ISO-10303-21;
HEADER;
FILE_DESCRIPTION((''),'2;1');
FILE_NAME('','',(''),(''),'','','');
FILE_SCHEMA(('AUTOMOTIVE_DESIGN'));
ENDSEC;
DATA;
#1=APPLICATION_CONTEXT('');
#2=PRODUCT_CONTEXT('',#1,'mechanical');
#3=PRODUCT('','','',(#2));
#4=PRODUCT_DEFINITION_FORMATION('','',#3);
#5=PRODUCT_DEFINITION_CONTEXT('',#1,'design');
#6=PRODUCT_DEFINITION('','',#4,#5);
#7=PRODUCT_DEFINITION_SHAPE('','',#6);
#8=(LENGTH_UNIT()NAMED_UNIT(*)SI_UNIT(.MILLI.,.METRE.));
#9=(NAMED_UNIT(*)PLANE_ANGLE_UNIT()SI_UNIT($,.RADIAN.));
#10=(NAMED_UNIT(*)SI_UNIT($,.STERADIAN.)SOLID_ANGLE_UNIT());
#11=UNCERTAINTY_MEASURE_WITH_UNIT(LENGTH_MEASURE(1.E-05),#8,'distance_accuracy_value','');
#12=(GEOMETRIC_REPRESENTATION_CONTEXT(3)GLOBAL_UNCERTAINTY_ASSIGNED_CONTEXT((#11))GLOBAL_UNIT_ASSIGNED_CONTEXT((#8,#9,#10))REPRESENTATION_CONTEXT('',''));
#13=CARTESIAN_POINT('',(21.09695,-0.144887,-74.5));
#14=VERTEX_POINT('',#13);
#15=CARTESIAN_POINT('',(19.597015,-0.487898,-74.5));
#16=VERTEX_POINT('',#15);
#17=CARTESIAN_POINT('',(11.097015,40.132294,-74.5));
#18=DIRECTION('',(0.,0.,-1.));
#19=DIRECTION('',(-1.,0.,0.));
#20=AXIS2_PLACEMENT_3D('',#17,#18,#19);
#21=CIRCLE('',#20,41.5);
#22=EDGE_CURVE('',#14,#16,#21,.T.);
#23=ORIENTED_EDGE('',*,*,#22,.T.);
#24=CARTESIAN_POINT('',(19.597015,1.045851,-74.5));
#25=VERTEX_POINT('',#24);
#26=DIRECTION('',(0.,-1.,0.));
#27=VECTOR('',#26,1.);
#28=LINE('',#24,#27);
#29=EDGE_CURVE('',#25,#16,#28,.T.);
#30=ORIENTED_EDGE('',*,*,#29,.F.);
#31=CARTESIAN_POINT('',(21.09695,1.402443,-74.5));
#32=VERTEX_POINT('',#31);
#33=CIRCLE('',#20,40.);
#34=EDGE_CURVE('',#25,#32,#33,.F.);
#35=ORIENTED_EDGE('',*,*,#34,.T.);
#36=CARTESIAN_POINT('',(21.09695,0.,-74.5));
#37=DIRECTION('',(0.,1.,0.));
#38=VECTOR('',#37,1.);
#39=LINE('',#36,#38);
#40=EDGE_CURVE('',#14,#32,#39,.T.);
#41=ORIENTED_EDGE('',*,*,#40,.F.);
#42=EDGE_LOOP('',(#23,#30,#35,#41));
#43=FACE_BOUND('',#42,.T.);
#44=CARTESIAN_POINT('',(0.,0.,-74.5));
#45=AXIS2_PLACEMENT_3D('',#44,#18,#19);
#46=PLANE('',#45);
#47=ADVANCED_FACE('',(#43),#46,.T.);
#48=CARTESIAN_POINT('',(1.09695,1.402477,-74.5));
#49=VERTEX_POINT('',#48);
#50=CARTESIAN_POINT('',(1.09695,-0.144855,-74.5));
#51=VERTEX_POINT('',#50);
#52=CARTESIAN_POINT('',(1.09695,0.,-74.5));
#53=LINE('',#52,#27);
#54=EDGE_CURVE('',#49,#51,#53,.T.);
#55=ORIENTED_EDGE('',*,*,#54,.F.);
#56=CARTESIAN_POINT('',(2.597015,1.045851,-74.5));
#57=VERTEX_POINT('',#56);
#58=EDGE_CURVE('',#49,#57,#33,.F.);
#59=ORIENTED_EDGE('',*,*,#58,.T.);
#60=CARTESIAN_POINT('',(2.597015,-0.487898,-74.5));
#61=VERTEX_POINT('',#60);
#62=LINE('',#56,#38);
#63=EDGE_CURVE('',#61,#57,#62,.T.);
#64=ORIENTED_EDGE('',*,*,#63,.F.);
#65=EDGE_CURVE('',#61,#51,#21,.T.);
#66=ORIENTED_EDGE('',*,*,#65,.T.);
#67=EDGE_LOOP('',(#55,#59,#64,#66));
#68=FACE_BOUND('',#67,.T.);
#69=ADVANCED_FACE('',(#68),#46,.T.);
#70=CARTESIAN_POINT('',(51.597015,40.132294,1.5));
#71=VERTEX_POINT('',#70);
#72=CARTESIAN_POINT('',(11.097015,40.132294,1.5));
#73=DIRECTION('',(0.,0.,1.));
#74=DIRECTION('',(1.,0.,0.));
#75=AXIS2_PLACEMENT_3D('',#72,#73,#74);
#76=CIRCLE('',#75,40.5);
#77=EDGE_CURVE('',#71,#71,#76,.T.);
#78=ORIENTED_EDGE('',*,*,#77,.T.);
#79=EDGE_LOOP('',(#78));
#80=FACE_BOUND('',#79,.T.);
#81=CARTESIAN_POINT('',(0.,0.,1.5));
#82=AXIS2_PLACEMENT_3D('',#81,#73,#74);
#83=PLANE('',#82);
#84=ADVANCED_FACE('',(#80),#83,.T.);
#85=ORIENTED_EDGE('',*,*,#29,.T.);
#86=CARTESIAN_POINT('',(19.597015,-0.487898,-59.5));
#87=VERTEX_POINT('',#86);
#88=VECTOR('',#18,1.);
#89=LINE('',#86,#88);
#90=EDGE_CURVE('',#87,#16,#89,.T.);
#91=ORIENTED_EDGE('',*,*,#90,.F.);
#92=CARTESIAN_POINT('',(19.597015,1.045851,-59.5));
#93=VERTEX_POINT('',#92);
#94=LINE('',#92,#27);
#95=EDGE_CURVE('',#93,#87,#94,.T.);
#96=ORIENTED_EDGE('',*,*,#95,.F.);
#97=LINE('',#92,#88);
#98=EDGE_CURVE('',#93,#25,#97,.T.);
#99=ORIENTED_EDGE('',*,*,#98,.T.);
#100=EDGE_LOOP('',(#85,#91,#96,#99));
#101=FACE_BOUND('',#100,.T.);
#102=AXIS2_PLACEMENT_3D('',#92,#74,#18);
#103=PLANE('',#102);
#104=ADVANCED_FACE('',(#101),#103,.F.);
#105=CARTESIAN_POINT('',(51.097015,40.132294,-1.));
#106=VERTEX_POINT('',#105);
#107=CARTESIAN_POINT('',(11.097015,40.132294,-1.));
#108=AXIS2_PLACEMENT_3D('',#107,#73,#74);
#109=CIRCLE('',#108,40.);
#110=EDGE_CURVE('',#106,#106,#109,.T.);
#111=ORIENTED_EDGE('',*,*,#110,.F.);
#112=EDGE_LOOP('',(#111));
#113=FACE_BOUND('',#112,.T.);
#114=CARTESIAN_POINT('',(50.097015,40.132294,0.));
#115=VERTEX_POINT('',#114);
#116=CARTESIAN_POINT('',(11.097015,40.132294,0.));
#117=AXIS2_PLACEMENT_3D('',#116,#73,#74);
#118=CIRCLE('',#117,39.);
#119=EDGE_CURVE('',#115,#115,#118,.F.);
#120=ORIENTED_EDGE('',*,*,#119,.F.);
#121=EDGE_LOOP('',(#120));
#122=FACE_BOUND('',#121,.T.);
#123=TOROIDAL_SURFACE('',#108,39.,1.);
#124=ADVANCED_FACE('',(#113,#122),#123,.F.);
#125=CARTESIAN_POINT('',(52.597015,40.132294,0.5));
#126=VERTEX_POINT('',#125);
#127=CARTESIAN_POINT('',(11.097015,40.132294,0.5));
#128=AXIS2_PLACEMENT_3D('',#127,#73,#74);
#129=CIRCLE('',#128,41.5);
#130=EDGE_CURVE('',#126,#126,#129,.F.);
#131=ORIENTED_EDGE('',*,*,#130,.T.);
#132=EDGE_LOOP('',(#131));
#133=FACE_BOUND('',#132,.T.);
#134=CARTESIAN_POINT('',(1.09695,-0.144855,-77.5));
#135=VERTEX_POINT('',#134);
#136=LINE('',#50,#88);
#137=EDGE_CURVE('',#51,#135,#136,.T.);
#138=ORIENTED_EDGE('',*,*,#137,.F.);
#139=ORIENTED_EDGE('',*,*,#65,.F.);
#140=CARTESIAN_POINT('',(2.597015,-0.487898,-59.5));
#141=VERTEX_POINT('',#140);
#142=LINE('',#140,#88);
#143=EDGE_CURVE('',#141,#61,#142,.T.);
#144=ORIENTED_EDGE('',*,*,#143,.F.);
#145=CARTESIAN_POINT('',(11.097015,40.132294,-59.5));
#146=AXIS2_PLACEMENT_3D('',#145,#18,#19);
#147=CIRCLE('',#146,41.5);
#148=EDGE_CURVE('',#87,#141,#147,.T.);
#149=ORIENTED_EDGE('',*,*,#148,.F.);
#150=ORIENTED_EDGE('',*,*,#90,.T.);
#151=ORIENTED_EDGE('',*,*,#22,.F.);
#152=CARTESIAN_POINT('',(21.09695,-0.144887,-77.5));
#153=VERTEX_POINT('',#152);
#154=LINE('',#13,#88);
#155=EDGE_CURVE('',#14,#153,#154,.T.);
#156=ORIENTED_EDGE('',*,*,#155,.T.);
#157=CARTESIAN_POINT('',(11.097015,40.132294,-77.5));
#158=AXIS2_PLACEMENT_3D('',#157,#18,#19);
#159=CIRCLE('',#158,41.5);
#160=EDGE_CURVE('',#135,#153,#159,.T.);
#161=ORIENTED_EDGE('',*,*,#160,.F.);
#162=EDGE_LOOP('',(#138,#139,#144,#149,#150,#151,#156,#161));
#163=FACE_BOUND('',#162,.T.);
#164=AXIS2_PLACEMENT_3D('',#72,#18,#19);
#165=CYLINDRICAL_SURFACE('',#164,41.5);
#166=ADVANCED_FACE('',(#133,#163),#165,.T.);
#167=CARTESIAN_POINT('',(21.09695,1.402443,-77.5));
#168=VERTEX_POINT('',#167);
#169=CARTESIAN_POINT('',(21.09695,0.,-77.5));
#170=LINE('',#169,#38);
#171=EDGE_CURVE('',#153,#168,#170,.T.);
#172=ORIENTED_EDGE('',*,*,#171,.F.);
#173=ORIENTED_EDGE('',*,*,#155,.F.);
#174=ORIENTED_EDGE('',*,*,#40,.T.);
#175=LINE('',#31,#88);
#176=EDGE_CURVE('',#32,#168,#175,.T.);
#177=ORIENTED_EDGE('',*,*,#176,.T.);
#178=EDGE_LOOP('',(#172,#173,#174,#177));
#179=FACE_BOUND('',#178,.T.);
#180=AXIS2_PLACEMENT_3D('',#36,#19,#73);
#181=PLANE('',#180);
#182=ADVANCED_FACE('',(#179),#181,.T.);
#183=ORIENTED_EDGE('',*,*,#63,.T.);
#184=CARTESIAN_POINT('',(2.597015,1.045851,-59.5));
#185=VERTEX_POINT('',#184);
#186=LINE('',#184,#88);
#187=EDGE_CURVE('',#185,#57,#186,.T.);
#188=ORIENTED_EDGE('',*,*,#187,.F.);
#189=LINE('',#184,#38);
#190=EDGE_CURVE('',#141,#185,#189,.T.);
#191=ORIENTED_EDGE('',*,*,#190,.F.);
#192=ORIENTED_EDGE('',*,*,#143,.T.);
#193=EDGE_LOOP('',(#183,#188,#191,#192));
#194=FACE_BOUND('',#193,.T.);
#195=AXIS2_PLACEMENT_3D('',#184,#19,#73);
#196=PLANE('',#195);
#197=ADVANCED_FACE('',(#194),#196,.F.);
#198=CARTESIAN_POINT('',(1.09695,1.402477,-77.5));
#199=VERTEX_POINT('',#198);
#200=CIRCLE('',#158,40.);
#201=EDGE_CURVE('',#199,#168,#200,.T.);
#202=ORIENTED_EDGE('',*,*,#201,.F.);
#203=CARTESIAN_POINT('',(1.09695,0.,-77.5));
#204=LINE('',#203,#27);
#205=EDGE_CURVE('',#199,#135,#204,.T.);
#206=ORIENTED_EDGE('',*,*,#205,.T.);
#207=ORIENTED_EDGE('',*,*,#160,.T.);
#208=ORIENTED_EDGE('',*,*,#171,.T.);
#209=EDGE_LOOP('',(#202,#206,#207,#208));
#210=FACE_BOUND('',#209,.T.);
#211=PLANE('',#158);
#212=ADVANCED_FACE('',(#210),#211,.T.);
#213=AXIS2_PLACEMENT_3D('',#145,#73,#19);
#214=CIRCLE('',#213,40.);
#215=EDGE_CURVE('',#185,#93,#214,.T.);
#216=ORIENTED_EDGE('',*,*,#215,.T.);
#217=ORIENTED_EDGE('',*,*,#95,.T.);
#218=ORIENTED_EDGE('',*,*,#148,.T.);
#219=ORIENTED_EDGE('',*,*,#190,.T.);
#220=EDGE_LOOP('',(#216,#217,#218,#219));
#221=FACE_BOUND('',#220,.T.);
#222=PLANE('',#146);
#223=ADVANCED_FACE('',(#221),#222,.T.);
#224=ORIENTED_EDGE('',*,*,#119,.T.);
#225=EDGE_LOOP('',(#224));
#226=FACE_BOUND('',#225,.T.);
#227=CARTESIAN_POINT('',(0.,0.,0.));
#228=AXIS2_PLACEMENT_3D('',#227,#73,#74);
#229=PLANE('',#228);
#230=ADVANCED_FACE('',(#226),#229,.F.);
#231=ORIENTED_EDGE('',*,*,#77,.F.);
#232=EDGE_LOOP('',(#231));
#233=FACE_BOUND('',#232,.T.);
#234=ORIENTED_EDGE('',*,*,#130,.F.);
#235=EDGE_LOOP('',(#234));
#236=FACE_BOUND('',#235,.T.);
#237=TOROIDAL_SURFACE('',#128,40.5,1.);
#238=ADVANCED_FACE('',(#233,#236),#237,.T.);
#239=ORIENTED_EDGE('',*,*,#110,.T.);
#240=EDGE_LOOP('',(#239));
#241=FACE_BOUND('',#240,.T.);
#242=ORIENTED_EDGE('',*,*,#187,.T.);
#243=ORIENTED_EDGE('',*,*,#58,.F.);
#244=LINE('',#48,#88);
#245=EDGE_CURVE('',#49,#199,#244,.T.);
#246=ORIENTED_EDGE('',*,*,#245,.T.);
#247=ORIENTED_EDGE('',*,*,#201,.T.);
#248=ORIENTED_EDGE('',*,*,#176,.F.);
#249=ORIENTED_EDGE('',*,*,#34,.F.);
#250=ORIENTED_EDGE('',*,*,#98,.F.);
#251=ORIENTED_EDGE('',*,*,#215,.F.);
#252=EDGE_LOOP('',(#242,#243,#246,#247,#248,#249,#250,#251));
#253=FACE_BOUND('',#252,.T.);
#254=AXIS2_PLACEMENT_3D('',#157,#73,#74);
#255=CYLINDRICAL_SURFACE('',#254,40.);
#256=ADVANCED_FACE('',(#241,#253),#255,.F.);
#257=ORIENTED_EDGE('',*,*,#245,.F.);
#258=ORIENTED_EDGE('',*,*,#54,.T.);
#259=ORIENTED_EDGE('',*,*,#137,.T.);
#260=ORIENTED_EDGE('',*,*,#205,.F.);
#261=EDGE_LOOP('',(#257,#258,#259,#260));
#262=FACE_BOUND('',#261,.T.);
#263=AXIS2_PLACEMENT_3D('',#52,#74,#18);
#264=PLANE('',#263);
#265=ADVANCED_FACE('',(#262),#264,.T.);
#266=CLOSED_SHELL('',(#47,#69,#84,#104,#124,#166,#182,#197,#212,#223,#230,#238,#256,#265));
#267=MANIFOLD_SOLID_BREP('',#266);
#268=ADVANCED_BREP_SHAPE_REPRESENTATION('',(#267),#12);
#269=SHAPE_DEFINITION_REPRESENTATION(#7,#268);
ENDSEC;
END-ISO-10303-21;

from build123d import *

# Parameters (mm, degrees)
ESQUISSE1_R             = 41.5
BOSS_EXTRU_1_DEPTH      = 1.5
BOSS_EXTRU_2_START      = 77.5
ESQUISSE2_R             = 41.5
ESQUISSE2_R_2           = 40
BOSS_EXTRU_2_DEPTH      = 77.5
ENL_V_MAT_EXTRU_2_DEPTH = 3
ENL_V_MAT_EXTRU_3_DEPTH = 15
FILLET1_R               = 1


with BuildPart() as part:
    # Esquisse1 → Boss.-Extru.1 (new body)
    with BuildSketch(Plane.XY):
        with Locations((11.097015348, 40.132293596)):
            Circle(ESQUISSE1_R)
    extrude(amount=BOSS_EXTRU_1_DEPTH)

    # Esquisse2 → Boss.-Extru.2 (add)
    with BuildSketch(Plane(origin=(0, 0, 0), x_dir=(-1, 0, 0), z_dir=(0, 0, -1)).offset(BOSS_EXTRU_2_START)):
        with Locations((-11.097015348, 40.132293596)):
            Circle(ESQUISSE2_R)
        with Locations((-11.097015348, 40.132293596)):
            Circle(ESQUISSE2_R_2, mode=Mode.SUBTRACT)
    extrude(amount=-BOSS_EXTRU_2_DEPTH)

    # Esquisse4 → Enlèv. mat.-Extru.2 (cut)
    with BuildSketch(Plane(origin=(0, 0, -77.5), x_dir=(-1, 0, 0), z_dir=(0, 0, -1))):
        with BuildLine():
            Line((-21.096949989, -0.144887377), (-21.096949989, 1.402443259))
            ThreePointArc((-21.096949989, 1.402443259), (-20.410817154, 1.231739668), (-19.721774233, 1.073190507))
            ThreePointArc((-19.721774233, 1.073190507), (-11.224690221, 0.132497358), (-2.721774233, 1.018928409))
            ThreePointArc((-2.721774233, 1.018928409), (-1.907360872, 1.202224875), (-1.096949989, 1.40247701))
            Line((-1.096949989, 1.40247701), (-1.096949989, -0.144854923))
            ThreePointArc((-1.096949989, -0.144854923), (-1.907510299, -0.337485214), (-2.721774233, -0.513805064))
            ThreePointArc((-2.721774233, -0.513805064), (-11.224476459, -1.367510664), (-19.721774233, -0.461591832))
            ThreePointArc((-19.721774233, -0.461591832), (-20.410708368, -0.309085242), (-21.096949989, -0.144887377))
        make_face()
    extrude(amount=-ENL_V_MAT_EXTRU_2_DEPTH, mode=Mode.SUBTRACT)

    # Esquisse5 → Enlèv. mat.-Extru.3 (cut)
    with BuildSketch(Plane(origin=(0, 0, -74.5), x_dir=(-1, 0, 0), z_dir=(0, 0, -1))):
        with BuildLine():
            Line((-19.597015348, 1.045850934), (-19.597015348, -0.487898427))
            ThreePointArc((-19.597015348, -0.487898427), (-11.097015348, -1.367706404), (-2.597015348, -0.487898427))
            Line((-2.597015348, -0.487898427), (-2.597015348, 1.045850934))
            ThreePointArc((-2.597015348, 1.045850934), (-11.097015348, 0.132293596), (-19.597015348, 1.045850934))
        make_face()
    extrude(amount=-ENL_V_MAT_EXTRU_3_DEPTH, mode=Mode.SUBTRACT)

    # Fillet1
    fillet1_edges = [part.edges().sort_by_distance(p)[0] for p in [
        (-30.402984652, 40.132293596, 1.5),
        (51.097015348, 40.132293596, 0),
    ]]
    fillet(fillet1_edges, radius=FILLET1_R)


solid = part.part
